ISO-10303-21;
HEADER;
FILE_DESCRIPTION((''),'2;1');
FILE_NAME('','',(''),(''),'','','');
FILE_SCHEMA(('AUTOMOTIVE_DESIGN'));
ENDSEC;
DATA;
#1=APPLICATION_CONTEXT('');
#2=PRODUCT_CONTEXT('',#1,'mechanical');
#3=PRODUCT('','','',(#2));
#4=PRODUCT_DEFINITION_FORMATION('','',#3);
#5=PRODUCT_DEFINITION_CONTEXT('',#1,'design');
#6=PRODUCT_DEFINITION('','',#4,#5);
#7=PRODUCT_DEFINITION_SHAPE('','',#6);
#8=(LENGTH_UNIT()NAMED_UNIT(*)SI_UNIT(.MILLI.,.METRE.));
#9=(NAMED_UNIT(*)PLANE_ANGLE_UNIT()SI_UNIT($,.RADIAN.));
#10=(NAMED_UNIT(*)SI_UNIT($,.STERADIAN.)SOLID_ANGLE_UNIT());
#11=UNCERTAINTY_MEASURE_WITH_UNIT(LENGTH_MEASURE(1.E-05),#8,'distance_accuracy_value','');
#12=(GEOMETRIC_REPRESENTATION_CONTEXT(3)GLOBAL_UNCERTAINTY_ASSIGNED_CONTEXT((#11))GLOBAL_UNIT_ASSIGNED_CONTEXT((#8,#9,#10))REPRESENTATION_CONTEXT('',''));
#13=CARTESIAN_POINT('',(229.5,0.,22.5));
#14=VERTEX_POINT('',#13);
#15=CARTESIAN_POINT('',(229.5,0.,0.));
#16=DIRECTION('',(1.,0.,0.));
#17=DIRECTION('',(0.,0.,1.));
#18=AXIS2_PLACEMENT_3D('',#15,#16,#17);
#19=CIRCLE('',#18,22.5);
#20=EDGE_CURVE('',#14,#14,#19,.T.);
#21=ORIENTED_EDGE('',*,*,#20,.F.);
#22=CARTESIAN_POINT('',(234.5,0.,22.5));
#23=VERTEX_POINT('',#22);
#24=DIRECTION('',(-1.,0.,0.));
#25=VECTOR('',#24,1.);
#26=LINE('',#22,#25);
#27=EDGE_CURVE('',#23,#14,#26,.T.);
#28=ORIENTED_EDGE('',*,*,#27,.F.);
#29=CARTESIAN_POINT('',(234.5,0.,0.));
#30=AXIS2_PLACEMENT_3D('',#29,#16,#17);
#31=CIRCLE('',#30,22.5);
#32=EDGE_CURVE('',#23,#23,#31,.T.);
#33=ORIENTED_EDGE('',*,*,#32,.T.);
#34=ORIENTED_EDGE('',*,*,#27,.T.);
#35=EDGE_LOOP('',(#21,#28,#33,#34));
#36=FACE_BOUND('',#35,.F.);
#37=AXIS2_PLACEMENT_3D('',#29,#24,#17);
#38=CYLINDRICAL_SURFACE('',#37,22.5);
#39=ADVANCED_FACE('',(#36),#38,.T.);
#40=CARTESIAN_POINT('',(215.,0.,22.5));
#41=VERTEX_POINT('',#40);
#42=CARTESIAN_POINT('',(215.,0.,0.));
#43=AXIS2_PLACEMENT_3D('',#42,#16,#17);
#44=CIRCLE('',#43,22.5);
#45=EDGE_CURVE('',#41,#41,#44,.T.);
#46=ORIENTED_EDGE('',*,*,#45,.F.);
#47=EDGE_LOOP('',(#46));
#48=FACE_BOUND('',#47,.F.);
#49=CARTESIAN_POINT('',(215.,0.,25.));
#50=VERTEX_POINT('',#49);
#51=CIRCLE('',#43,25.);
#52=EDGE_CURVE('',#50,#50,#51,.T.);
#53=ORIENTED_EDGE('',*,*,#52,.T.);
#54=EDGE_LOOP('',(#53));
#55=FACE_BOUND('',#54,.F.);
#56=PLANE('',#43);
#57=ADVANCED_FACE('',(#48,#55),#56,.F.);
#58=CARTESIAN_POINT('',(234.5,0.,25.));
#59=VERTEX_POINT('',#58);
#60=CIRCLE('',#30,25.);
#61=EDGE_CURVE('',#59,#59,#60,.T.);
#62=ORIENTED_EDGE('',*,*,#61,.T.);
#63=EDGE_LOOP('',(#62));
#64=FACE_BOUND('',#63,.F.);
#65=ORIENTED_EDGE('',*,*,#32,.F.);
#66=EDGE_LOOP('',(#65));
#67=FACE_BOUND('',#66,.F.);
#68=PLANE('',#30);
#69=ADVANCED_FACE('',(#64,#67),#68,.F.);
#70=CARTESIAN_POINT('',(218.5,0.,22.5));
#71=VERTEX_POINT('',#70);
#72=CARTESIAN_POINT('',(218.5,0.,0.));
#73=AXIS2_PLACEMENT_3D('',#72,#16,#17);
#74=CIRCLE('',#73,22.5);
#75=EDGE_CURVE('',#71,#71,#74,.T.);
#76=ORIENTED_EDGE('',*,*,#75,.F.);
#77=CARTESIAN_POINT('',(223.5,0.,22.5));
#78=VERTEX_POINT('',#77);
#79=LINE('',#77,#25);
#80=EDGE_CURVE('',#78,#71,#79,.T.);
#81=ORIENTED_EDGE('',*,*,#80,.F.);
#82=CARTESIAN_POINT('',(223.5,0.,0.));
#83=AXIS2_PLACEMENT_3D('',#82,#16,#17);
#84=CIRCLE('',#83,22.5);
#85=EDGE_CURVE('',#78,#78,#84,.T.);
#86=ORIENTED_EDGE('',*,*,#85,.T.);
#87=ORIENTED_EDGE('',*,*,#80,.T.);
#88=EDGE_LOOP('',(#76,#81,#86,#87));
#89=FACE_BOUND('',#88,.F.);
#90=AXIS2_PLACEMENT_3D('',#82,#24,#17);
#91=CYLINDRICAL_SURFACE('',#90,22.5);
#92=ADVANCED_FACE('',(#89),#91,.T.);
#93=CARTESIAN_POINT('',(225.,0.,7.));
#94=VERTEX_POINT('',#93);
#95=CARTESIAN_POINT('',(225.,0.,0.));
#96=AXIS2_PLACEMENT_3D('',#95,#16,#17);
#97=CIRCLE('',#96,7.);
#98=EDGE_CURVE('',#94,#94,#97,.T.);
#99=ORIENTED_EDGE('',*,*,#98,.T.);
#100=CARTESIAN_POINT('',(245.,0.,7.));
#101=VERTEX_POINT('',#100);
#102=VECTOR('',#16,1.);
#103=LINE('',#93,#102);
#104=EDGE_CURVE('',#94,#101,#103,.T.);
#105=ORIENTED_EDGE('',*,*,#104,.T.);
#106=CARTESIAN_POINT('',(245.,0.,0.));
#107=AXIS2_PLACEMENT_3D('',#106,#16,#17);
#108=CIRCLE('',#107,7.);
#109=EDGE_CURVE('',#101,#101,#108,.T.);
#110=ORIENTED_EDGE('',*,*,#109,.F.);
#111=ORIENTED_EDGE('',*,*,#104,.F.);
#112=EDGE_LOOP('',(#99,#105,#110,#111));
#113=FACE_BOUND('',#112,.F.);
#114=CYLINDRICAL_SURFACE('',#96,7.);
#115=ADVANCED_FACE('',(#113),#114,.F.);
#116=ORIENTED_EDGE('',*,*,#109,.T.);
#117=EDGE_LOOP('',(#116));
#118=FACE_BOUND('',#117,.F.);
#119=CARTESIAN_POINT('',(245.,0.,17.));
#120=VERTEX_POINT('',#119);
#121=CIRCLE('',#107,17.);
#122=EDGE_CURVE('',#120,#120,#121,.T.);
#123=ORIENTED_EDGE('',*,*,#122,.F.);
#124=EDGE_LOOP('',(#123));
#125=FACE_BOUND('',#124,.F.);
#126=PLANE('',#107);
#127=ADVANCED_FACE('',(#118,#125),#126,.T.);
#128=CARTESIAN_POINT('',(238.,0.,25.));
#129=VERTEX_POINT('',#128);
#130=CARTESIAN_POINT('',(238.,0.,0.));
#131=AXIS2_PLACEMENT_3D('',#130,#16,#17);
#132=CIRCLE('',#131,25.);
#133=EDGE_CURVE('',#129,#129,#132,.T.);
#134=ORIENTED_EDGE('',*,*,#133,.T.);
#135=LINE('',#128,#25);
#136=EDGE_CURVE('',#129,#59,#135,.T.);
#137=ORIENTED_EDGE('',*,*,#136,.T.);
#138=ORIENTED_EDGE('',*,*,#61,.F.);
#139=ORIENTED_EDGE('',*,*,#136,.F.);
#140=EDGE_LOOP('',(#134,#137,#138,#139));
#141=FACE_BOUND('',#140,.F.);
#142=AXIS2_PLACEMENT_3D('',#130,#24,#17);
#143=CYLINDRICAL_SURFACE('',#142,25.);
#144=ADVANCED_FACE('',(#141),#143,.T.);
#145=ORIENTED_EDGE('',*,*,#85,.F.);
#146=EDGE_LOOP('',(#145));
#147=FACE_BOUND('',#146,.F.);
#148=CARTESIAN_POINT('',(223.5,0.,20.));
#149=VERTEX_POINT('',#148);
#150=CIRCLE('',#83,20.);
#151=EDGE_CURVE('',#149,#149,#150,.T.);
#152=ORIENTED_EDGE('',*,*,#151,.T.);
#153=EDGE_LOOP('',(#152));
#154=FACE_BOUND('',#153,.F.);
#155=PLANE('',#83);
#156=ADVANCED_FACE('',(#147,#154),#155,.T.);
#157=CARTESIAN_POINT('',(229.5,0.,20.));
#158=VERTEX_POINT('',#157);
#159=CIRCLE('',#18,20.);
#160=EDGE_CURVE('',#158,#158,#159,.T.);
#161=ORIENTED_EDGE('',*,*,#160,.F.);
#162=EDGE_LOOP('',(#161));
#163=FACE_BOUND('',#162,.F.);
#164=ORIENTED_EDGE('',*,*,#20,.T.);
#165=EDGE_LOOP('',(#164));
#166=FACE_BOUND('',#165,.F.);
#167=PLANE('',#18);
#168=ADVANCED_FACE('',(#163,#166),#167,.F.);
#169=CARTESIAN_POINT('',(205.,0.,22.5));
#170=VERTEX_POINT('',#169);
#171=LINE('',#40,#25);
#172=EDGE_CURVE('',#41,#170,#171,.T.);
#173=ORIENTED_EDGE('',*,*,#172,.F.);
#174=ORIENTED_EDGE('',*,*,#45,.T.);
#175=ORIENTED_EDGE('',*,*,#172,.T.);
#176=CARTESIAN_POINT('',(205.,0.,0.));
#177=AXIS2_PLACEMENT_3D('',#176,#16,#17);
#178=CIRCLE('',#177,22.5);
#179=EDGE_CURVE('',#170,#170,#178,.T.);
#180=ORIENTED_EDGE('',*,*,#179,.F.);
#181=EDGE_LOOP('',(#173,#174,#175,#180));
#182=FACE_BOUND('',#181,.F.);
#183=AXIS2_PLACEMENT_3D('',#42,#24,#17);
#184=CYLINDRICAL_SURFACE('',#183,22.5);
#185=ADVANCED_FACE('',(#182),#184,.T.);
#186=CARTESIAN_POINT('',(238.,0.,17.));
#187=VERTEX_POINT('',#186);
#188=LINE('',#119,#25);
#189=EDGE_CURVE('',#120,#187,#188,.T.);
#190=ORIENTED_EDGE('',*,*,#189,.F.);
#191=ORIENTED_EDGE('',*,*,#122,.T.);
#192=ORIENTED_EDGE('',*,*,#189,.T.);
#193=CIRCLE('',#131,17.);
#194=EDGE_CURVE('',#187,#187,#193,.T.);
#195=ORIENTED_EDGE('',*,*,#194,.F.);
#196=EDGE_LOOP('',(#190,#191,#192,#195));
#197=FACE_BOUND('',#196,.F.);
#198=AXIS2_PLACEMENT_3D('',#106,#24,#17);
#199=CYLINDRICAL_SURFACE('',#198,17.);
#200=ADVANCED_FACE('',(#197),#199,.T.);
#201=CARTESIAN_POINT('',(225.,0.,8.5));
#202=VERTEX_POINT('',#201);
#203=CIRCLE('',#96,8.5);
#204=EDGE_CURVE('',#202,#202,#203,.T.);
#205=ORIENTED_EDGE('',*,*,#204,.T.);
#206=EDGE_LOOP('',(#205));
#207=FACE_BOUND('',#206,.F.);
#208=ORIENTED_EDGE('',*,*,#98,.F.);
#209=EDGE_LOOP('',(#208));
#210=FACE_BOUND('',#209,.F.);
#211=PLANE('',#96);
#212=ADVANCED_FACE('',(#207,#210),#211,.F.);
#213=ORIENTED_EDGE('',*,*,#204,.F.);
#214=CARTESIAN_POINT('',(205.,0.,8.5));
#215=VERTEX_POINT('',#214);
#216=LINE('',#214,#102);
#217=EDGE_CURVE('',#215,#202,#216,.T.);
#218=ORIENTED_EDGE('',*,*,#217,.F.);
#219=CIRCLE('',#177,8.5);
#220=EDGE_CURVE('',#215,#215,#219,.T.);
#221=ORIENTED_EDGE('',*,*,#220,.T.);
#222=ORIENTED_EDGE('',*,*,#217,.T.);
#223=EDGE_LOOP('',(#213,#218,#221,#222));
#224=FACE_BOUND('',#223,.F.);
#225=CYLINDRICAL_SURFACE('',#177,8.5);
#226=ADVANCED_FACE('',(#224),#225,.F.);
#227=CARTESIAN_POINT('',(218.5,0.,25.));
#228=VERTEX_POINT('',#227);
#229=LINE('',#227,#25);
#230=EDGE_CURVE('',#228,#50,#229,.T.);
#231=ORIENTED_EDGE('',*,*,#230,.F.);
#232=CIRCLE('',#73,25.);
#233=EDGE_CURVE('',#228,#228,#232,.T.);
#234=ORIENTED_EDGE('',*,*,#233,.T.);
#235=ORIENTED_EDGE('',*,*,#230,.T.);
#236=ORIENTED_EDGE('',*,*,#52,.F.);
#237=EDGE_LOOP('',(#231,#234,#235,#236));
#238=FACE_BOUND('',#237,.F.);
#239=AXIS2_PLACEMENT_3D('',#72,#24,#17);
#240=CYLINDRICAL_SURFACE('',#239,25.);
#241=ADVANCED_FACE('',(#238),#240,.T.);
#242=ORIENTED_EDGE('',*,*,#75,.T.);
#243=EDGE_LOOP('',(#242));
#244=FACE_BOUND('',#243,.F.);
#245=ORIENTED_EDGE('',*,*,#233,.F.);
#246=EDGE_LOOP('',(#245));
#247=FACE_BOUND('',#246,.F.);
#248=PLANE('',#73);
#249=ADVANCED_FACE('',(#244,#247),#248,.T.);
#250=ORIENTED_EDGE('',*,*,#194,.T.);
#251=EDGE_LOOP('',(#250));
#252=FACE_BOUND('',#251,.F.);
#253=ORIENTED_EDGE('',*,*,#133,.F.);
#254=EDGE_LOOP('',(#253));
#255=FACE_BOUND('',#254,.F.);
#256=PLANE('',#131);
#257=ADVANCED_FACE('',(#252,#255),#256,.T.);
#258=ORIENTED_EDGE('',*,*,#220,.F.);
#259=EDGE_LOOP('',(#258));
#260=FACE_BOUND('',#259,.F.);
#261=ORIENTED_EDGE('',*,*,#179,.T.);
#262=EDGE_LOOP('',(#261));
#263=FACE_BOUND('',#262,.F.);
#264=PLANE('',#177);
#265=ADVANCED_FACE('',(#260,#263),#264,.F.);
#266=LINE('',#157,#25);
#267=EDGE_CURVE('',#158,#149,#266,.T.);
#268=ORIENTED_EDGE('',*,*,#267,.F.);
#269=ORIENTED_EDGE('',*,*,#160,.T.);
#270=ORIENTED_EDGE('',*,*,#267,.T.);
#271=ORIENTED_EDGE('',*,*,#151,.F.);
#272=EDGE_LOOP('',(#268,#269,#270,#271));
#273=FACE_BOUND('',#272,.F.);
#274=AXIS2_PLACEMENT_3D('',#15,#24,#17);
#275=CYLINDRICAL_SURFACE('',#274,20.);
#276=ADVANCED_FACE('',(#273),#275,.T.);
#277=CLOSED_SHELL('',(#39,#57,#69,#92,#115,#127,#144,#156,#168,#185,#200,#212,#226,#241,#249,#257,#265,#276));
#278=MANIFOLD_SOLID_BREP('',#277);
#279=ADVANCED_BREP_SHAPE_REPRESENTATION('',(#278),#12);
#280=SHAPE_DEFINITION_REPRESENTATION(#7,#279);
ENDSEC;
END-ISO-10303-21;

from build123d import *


with BuildPart() as f3:
    # F2 (on Front) → F3 (revolve)
    with BuildSketch(Plane.XZ):
        Polygon((215, 22.5), (205, 22.5), (205, 8.5), (225, 8.5), (225, 7), (245, 7), (245, 17), (238, 17), (238, 25), (234.5, 25), (234.5, 22.5), (229.5, 22.5), (229.5, 20), (223.5, 20), (223.5, 22.5), (218.5, 22.5), (218.5, 25), (215, 25), align=None)
    revolve(axis=Axis((228.922643, 0, 0), (1, 0, 0)))


solid = f3.part
